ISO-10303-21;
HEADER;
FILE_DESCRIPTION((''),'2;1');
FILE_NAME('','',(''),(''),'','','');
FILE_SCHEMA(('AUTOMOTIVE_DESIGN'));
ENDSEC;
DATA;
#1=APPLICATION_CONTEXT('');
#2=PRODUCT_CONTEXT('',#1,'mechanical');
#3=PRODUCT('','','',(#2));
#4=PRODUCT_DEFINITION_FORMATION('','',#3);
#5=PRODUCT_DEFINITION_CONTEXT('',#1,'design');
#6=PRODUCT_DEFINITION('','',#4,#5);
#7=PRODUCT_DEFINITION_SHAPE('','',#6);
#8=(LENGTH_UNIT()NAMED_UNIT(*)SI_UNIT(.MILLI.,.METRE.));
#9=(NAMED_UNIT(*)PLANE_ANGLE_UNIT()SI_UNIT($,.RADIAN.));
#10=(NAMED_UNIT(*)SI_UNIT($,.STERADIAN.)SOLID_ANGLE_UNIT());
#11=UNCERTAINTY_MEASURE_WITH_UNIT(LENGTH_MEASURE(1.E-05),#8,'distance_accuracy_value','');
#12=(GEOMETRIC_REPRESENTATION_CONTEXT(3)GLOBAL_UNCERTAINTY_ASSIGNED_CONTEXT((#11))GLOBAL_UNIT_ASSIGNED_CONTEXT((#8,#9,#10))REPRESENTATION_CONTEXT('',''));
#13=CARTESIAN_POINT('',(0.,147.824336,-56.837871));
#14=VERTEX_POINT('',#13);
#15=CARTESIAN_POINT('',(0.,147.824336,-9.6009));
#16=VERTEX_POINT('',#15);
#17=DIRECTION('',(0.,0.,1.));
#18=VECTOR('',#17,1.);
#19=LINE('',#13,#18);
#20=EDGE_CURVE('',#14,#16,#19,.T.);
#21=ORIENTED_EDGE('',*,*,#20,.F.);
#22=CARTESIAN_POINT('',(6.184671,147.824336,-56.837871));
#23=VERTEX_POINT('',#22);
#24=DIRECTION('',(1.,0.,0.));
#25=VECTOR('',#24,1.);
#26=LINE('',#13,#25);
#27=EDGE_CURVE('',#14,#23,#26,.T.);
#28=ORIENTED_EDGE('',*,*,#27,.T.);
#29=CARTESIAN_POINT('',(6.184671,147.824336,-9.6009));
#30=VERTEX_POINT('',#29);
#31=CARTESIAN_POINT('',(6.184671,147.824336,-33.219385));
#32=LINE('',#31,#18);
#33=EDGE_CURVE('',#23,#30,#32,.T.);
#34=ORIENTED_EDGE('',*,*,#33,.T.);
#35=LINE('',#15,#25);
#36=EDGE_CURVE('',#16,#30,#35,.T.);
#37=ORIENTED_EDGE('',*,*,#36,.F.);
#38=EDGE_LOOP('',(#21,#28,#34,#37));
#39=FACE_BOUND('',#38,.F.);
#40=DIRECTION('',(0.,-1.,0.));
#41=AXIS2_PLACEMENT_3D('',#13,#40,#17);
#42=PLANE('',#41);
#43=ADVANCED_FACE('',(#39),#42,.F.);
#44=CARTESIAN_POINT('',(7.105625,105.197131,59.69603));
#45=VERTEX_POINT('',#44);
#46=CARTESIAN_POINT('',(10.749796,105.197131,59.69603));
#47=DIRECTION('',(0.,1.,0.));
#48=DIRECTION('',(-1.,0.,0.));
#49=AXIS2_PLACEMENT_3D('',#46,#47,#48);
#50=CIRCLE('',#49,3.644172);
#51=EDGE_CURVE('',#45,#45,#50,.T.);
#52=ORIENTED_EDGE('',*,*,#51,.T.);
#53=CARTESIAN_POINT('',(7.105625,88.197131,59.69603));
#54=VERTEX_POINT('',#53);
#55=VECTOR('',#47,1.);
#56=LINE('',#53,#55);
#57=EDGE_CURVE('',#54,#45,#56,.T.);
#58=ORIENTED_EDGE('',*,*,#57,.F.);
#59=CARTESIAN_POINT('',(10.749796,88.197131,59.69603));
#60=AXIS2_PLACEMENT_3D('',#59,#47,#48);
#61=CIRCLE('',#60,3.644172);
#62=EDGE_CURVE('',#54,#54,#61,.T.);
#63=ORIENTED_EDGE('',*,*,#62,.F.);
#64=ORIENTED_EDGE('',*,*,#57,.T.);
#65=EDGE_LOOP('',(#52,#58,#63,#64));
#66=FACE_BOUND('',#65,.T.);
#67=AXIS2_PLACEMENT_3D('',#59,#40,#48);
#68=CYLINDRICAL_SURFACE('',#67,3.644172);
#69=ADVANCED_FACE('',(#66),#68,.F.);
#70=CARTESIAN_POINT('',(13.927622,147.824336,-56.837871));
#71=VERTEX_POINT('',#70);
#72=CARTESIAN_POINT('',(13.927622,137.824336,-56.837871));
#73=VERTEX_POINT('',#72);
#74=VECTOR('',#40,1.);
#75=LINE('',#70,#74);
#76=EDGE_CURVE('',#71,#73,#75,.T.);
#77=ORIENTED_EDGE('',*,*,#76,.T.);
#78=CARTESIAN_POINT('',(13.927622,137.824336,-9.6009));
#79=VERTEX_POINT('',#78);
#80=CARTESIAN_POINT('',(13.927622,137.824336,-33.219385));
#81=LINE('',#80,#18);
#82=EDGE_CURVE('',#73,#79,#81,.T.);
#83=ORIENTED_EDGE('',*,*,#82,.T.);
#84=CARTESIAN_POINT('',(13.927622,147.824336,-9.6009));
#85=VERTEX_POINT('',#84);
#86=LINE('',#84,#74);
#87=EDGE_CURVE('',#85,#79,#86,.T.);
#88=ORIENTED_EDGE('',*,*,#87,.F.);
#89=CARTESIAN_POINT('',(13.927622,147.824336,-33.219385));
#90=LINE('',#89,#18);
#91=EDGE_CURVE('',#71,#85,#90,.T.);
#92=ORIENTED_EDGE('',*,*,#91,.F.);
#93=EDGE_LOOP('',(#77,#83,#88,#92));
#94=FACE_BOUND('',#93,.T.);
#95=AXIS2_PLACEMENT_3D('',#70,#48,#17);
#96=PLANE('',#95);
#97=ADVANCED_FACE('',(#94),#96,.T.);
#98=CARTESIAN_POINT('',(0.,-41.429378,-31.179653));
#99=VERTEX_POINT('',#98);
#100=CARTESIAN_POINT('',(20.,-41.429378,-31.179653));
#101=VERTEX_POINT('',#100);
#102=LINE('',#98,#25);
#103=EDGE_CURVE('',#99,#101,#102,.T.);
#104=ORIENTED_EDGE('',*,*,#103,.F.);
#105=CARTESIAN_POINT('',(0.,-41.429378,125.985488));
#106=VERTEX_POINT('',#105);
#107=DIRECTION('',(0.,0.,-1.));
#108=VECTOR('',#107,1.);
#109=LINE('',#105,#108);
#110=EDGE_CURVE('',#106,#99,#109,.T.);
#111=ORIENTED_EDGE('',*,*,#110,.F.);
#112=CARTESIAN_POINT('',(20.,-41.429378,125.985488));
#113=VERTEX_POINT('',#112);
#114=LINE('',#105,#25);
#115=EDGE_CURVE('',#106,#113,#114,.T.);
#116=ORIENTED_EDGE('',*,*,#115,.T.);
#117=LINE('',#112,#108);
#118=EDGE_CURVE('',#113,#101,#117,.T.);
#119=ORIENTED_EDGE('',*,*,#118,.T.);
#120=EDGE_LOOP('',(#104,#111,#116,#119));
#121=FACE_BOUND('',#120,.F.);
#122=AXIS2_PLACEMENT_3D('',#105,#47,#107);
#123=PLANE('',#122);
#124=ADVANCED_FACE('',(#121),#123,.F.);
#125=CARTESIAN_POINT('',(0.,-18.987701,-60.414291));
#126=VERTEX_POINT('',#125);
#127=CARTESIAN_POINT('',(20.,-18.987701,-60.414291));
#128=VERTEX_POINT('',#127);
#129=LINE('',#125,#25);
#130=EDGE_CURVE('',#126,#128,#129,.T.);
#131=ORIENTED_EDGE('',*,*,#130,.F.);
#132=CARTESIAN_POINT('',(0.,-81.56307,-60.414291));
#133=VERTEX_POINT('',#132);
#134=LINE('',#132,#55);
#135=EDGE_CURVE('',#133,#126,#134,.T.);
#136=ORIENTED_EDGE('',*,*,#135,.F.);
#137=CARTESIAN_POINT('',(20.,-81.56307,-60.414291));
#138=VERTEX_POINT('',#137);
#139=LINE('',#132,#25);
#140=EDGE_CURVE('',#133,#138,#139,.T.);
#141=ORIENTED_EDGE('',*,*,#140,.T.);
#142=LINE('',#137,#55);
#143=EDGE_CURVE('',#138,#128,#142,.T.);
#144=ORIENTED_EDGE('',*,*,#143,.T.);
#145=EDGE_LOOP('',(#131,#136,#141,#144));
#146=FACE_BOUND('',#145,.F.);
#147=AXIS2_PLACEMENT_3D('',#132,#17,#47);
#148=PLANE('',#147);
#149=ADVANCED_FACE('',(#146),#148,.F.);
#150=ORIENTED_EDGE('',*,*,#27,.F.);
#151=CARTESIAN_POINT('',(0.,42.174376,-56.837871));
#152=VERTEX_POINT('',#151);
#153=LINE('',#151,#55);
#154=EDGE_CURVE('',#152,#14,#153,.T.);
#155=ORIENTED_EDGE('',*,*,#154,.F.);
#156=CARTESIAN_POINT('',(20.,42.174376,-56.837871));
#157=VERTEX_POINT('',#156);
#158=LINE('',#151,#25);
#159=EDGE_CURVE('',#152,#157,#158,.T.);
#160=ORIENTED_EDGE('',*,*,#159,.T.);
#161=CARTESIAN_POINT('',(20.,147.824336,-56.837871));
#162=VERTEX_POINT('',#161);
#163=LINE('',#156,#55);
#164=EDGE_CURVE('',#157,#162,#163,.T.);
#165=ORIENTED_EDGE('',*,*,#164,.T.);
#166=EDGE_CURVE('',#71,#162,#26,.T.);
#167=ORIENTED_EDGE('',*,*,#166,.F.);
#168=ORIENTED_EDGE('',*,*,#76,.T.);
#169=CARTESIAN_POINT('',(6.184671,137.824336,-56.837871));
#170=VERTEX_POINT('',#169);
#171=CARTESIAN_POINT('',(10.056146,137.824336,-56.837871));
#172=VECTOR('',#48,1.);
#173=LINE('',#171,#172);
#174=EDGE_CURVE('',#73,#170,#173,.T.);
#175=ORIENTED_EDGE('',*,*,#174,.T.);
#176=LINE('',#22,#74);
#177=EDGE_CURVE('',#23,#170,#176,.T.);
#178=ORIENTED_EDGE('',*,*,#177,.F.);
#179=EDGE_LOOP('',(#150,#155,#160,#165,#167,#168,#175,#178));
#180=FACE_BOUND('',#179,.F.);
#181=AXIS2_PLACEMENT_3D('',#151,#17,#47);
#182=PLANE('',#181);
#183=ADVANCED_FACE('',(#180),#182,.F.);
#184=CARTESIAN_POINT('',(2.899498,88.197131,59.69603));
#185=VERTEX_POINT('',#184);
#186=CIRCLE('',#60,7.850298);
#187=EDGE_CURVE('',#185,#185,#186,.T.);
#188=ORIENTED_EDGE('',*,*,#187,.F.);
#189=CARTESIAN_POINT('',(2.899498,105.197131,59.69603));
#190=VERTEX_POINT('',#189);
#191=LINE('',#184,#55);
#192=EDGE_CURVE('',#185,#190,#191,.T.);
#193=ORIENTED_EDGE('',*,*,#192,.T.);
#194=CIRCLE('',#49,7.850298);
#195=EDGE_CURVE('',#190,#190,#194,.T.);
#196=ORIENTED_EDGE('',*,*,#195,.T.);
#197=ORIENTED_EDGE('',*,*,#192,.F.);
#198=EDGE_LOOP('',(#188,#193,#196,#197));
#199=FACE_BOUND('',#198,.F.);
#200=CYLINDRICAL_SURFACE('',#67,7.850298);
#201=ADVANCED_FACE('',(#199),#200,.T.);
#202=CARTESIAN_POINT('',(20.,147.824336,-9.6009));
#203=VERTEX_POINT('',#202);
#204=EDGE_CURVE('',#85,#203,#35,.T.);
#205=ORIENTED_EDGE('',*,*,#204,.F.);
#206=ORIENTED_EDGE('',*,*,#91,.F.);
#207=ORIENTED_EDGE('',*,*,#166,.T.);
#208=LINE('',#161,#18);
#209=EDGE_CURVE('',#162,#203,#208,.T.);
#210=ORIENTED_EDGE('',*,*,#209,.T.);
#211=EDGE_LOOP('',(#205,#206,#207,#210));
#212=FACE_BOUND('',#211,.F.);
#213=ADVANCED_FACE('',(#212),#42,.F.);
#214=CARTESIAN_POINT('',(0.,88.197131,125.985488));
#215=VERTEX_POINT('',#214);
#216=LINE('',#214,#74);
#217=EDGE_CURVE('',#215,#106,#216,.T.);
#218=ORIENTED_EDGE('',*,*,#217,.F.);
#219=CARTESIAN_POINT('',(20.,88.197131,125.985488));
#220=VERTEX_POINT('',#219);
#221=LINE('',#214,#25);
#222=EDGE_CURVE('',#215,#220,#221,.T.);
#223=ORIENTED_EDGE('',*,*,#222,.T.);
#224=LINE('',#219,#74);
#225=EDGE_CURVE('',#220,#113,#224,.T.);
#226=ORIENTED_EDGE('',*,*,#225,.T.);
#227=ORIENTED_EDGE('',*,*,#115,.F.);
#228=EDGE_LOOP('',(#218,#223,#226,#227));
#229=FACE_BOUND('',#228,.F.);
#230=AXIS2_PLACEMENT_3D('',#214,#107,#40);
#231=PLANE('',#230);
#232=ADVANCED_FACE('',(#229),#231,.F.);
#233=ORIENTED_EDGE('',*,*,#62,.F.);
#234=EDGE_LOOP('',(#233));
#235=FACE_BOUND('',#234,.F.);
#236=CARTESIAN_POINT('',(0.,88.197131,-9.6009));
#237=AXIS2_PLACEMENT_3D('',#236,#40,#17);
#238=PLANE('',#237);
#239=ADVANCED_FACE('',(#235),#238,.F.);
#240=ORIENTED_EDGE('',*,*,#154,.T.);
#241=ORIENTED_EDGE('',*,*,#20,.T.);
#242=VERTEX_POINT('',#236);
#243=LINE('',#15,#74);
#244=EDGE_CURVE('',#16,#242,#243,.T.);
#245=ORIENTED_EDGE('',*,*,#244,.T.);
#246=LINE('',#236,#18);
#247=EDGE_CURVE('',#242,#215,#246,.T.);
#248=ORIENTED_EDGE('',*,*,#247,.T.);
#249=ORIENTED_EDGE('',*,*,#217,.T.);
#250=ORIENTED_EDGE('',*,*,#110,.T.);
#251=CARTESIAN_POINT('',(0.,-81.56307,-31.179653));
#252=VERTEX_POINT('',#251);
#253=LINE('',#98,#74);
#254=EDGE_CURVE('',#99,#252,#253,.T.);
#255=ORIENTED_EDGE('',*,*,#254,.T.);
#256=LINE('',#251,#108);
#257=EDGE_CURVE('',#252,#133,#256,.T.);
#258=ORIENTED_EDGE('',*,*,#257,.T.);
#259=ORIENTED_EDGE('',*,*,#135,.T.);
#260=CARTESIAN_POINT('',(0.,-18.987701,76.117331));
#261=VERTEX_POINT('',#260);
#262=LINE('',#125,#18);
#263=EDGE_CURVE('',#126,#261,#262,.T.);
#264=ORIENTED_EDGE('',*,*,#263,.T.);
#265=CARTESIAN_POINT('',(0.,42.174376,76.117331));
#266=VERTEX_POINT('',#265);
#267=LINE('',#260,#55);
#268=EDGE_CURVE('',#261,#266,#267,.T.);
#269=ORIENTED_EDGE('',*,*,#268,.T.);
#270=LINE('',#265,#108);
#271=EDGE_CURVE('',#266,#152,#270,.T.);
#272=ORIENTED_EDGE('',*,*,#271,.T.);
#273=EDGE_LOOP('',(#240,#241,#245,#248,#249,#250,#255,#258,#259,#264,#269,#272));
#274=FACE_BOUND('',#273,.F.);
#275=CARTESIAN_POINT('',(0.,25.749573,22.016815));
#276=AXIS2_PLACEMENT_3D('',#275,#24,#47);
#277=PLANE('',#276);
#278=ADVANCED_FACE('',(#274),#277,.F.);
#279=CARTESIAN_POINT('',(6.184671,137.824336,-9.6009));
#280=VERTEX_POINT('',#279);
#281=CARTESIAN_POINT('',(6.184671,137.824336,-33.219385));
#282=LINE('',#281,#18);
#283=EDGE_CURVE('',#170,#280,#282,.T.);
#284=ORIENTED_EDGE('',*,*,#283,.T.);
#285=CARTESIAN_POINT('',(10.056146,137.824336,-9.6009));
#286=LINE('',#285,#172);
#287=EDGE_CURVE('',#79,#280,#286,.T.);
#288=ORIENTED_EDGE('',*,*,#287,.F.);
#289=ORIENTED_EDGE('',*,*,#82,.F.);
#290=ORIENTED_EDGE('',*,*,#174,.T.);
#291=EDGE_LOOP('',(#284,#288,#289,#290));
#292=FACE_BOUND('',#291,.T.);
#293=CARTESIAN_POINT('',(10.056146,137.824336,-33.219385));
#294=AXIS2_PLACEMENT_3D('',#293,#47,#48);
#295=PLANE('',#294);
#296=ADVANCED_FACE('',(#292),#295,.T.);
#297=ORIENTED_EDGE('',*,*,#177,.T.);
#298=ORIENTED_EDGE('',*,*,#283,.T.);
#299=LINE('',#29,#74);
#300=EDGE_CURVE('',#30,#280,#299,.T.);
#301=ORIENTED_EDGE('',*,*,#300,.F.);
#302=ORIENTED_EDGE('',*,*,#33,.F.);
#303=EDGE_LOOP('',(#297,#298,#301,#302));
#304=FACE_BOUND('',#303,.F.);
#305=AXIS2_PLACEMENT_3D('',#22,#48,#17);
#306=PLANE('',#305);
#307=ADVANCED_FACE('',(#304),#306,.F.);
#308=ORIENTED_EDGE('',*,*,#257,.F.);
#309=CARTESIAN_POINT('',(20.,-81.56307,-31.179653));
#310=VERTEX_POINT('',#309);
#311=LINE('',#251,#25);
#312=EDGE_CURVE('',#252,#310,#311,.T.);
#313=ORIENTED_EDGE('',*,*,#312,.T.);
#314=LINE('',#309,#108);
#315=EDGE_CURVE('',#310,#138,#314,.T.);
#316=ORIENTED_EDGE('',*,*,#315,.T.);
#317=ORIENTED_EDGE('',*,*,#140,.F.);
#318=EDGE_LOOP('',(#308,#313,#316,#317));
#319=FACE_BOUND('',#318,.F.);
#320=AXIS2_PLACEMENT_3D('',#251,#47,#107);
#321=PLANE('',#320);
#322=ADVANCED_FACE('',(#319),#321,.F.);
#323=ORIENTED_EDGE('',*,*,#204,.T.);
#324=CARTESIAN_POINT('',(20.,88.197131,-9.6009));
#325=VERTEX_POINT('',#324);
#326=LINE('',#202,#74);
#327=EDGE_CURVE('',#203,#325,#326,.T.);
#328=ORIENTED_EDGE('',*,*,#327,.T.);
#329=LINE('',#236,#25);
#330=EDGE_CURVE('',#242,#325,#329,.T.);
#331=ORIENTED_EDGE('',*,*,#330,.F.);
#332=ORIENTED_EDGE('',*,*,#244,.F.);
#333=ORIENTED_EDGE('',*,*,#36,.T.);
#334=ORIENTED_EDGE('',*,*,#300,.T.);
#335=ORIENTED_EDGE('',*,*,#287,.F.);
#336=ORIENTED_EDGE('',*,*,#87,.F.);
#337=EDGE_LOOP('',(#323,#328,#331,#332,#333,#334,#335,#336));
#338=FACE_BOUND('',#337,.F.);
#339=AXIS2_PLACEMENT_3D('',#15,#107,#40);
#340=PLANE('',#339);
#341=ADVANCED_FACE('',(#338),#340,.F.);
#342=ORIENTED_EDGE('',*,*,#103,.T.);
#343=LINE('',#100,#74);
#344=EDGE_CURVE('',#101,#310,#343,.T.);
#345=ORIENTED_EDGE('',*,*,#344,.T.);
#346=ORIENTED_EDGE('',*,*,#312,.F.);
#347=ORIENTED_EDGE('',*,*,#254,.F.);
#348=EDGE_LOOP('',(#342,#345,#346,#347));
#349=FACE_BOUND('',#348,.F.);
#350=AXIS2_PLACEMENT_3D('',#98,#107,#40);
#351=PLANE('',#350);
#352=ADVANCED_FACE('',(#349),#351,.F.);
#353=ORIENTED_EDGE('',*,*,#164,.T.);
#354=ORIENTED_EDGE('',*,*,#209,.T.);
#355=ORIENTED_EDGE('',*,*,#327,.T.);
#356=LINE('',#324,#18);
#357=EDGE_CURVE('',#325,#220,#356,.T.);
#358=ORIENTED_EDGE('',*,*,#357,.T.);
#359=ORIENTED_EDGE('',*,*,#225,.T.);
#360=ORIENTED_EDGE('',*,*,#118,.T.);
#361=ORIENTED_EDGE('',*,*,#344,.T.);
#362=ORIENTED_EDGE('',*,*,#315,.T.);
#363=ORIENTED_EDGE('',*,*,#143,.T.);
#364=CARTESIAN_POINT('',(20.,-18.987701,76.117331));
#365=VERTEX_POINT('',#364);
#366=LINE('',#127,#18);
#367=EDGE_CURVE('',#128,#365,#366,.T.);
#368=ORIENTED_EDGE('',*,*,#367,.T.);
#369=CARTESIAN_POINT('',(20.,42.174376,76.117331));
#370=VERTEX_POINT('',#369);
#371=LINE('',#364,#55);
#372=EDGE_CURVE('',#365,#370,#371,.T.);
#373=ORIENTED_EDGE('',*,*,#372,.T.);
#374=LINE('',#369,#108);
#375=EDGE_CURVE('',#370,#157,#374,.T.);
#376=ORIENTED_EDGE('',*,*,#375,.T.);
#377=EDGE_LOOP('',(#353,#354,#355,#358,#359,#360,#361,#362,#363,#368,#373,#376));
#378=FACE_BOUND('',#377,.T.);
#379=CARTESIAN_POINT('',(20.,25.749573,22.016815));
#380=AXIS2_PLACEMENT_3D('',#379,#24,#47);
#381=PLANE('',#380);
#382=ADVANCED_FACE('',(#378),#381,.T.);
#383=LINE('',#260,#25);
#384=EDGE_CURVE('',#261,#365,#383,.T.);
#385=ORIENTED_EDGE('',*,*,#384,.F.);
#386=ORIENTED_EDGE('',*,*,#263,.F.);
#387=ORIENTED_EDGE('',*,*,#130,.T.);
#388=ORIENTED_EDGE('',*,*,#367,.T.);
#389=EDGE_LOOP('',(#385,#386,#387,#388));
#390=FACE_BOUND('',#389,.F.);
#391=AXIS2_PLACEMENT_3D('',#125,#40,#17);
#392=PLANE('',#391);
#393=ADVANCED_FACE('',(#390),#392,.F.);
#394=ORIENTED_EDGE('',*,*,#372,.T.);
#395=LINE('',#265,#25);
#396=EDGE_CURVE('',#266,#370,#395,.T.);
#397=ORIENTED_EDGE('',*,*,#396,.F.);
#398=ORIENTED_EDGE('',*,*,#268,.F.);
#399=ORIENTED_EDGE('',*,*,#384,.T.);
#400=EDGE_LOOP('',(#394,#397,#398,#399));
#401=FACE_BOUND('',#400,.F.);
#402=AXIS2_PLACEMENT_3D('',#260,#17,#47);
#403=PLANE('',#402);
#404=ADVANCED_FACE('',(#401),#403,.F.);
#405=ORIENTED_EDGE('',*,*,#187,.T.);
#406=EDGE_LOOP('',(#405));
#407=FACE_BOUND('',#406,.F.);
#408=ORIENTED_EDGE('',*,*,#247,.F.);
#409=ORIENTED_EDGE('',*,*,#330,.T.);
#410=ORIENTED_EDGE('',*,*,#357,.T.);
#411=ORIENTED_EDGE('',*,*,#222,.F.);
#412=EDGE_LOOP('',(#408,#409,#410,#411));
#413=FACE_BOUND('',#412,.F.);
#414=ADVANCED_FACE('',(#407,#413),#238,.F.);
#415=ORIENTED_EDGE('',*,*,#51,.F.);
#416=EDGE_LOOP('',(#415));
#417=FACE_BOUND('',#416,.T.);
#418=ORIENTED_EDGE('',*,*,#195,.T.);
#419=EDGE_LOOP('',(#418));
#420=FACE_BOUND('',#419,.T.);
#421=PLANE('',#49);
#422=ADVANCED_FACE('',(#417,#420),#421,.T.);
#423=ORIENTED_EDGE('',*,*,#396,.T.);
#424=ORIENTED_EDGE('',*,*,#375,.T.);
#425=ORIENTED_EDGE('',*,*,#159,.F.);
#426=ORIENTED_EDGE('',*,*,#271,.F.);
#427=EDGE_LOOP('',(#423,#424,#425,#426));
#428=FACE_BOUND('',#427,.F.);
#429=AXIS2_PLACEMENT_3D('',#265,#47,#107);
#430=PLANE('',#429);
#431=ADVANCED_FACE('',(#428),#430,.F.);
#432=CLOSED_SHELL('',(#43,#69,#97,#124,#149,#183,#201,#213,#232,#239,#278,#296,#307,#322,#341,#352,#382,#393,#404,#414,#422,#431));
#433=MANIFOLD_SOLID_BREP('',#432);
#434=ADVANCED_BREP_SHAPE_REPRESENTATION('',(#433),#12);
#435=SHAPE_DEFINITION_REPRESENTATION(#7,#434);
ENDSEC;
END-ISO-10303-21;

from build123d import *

# Parameters (mm, degrees)
F1_DEPTH = 20
F2_W     = 7.7429511584
F2_H     = 47.2369704668
F3_DEPTH = 10
F4_R     = 7.8502979612
F4_R_2   = 3.6441715019
F5_DEPTH = 17


with BuildPart() as f1:
    # F0 (on Right) → F1 (new body)
    with BuildSketch(Plane.YZ):
        Polygon((-41.4293780923, -31.1796526851), (-81.5630704165, -31.1796526851), (-81.5630704165, -60.4142908512), (-18.9877006452, -60.4142908512), (-18.9877006452, 76.117331113), (42.1743764823, 76.117331113), (42.1743764823, -56.8378705173), (147.8243358508, -56.8378705173), (147.8243358508, -9.6009000506), (88.1971307173, -9.6009000506), (88.1971307173, 125.9854882991), (-41.4293780923, 125.9854882991), align=None)
    extrude(amount=F1_DEPTH)

    # F2 (on face) → F3 (cut)
    with BuildSketch(Plane(origin=(0, 147.8243358508, 0), x_dir=(-1, 0, 0), z_dir=(0, 1, 0))):
        with Locations((-10.0561461877, -33.2193852839)):
            Rectangle(F2_W, F2_H)
    extrude(amount=-F3_DEPTH, mode=Mode.SUBTRACT)

    # F4 (on face) → F5 (join)
    with BuildSketch(Plane(origin=(0, 88.1971307173, 0), x_dir=(-1, 0, 0), z_dir=(0, 1, 0))):
        with Locations((-10.7497964054, 59.6960298717)):
            Circle(F4_R)
        with Locations((-10.7497964054, 59.6960298717)):
            Circle(F4_R_2, mode=Mode.SUBTRACT)
    extrude(amount=F5_DEPTH)


solid = f1.part
